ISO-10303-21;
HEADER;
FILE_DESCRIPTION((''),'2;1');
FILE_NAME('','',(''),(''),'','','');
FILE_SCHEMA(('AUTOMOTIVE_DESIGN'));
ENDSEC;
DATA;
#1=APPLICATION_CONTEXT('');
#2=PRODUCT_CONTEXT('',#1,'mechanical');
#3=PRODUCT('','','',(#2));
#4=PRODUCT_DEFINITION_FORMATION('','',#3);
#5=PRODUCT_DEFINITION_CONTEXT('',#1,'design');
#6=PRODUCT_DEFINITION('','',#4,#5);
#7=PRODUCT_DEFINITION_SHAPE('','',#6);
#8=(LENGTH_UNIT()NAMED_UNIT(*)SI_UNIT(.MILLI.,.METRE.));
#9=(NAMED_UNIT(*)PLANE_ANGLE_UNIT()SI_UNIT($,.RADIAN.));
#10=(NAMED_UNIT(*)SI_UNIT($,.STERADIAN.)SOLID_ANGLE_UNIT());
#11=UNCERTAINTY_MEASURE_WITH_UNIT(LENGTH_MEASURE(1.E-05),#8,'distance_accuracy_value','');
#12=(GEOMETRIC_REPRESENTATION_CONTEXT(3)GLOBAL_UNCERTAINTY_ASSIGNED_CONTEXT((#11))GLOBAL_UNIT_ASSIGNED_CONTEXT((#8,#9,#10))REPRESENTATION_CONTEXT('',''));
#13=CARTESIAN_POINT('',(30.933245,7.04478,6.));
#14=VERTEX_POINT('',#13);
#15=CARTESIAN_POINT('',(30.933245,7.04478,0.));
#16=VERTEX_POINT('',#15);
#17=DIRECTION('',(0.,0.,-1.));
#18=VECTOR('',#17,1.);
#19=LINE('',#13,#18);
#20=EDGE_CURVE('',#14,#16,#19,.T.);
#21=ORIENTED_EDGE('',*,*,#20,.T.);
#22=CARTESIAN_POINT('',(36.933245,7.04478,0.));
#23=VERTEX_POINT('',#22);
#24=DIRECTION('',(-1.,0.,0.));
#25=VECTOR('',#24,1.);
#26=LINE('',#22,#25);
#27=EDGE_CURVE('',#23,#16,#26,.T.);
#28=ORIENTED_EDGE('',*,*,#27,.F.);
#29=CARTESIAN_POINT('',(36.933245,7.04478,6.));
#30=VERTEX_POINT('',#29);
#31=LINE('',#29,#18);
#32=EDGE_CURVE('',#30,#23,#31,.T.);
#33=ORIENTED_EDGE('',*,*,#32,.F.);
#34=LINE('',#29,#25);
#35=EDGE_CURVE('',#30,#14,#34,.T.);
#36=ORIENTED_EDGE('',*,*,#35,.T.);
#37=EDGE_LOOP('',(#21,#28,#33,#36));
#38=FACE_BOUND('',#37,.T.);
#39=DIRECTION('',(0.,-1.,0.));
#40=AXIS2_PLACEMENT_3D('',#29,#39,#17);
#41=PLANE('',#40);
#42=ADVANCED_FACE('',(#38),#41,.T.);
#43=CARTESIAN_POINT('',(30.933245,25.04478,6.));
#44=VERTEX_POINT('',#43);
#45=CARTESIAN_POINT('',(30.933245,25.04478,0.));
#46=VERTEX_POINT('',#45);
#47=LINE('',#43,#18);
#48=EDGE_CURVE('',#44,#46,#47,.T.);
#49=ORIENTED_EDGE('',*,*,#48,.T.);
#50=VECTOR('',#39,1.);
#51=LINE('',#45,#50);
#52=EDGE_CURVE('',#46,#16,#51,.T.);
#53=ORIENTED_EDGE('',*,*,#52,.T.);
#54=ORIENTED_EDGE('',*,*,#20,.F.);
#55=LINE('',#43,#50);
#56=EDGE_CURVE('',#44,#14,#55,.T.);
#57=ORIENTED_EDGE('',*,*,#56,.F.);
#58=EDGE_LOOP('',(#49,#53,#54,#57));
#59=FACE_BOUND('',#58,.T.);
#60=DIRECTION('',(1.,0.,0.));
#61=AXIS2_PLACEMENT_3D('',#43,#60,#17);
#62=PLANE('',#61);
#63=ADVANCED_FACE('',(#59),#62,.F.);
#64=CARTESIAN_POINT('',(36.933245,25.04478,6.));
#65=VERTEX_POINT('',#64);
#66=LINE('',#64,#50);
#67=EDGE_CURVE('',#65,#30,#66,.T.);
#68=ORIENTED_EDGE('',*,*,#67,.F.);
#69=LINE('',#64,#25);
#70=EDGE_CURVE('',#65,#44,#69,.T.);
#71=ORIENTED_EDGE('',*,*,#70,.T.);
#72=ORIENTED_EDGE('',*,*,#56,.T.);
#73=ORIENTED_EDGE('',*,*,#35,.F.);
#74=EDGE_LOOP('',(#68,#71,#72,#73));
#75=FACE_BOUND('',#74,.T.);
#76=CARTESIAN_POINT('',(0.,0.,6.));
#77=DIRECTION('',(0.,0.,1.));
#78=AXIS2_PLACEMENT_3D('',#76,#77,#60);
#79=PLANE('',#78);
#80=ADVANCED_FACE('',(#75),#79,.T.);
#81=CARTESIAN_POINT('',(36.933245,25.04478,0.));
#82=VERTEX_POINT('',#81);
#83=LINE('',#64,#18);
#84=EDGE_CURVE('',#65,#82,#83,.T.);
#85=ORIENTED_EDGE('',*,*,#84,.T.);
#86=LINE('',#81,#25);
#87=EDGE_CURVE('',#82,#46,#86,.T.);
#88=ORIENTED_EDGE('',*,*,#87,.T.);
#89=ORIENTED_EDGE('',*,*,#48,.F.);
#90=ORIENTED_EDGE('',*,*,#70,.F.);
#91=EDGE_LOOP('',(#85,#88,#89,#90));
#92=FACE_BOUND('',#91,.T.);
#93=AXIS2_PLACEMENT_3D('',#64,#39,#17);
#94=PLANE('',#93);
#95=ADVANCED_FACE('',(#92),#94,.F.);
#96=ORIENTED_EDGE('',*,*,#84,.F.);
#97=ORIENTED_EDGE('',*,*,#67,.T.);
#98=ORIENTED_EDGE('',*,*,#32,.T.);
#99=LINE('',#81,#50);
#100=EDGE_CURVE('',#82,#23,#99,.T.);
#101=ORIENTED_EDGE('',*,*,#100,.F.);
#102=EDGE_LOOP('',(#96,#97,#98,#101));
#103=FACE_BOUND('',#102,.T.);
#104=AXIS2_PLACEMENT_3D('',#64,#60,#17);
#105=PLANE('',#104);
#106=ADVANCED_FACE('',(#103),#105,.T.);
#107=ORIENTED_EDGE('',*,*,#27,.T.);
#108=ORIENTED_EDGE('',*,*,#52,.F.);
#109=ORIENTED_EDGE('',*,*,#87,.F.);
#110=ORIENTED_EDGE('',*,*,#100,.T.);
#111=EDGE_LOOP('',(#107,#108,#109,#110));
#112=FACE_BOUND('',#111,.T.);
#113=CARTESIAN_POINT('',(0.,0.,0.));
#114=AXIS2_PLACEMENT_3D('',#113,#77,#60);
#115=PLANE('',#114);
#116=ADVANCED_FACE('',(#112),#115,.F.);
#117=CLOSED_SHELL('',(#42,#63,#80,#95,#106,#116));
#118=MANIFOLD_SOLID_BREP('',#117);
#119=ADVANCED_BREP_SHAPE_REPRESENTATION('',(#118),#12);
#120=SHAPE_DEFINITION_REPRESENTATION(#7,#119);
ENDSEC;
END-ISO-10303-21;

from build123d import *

# Parameters (mm, degrees)
MODEL_W             = 6
MODEL_H             = 18
BOSS_EXTRUDE1_DEPTH = 6


with BuildPart() as part:
    # Model → Boss-Extrude1 (new body)
    with BuildSketch(Plane.XY):
        with Locations((33.933244503, 16.044780119)):
            Rectangle(MODEL_W, MODEL_H)
    extrude(amount=BOSS_EXTRUDE1_DEPTH)


solid = part.part
